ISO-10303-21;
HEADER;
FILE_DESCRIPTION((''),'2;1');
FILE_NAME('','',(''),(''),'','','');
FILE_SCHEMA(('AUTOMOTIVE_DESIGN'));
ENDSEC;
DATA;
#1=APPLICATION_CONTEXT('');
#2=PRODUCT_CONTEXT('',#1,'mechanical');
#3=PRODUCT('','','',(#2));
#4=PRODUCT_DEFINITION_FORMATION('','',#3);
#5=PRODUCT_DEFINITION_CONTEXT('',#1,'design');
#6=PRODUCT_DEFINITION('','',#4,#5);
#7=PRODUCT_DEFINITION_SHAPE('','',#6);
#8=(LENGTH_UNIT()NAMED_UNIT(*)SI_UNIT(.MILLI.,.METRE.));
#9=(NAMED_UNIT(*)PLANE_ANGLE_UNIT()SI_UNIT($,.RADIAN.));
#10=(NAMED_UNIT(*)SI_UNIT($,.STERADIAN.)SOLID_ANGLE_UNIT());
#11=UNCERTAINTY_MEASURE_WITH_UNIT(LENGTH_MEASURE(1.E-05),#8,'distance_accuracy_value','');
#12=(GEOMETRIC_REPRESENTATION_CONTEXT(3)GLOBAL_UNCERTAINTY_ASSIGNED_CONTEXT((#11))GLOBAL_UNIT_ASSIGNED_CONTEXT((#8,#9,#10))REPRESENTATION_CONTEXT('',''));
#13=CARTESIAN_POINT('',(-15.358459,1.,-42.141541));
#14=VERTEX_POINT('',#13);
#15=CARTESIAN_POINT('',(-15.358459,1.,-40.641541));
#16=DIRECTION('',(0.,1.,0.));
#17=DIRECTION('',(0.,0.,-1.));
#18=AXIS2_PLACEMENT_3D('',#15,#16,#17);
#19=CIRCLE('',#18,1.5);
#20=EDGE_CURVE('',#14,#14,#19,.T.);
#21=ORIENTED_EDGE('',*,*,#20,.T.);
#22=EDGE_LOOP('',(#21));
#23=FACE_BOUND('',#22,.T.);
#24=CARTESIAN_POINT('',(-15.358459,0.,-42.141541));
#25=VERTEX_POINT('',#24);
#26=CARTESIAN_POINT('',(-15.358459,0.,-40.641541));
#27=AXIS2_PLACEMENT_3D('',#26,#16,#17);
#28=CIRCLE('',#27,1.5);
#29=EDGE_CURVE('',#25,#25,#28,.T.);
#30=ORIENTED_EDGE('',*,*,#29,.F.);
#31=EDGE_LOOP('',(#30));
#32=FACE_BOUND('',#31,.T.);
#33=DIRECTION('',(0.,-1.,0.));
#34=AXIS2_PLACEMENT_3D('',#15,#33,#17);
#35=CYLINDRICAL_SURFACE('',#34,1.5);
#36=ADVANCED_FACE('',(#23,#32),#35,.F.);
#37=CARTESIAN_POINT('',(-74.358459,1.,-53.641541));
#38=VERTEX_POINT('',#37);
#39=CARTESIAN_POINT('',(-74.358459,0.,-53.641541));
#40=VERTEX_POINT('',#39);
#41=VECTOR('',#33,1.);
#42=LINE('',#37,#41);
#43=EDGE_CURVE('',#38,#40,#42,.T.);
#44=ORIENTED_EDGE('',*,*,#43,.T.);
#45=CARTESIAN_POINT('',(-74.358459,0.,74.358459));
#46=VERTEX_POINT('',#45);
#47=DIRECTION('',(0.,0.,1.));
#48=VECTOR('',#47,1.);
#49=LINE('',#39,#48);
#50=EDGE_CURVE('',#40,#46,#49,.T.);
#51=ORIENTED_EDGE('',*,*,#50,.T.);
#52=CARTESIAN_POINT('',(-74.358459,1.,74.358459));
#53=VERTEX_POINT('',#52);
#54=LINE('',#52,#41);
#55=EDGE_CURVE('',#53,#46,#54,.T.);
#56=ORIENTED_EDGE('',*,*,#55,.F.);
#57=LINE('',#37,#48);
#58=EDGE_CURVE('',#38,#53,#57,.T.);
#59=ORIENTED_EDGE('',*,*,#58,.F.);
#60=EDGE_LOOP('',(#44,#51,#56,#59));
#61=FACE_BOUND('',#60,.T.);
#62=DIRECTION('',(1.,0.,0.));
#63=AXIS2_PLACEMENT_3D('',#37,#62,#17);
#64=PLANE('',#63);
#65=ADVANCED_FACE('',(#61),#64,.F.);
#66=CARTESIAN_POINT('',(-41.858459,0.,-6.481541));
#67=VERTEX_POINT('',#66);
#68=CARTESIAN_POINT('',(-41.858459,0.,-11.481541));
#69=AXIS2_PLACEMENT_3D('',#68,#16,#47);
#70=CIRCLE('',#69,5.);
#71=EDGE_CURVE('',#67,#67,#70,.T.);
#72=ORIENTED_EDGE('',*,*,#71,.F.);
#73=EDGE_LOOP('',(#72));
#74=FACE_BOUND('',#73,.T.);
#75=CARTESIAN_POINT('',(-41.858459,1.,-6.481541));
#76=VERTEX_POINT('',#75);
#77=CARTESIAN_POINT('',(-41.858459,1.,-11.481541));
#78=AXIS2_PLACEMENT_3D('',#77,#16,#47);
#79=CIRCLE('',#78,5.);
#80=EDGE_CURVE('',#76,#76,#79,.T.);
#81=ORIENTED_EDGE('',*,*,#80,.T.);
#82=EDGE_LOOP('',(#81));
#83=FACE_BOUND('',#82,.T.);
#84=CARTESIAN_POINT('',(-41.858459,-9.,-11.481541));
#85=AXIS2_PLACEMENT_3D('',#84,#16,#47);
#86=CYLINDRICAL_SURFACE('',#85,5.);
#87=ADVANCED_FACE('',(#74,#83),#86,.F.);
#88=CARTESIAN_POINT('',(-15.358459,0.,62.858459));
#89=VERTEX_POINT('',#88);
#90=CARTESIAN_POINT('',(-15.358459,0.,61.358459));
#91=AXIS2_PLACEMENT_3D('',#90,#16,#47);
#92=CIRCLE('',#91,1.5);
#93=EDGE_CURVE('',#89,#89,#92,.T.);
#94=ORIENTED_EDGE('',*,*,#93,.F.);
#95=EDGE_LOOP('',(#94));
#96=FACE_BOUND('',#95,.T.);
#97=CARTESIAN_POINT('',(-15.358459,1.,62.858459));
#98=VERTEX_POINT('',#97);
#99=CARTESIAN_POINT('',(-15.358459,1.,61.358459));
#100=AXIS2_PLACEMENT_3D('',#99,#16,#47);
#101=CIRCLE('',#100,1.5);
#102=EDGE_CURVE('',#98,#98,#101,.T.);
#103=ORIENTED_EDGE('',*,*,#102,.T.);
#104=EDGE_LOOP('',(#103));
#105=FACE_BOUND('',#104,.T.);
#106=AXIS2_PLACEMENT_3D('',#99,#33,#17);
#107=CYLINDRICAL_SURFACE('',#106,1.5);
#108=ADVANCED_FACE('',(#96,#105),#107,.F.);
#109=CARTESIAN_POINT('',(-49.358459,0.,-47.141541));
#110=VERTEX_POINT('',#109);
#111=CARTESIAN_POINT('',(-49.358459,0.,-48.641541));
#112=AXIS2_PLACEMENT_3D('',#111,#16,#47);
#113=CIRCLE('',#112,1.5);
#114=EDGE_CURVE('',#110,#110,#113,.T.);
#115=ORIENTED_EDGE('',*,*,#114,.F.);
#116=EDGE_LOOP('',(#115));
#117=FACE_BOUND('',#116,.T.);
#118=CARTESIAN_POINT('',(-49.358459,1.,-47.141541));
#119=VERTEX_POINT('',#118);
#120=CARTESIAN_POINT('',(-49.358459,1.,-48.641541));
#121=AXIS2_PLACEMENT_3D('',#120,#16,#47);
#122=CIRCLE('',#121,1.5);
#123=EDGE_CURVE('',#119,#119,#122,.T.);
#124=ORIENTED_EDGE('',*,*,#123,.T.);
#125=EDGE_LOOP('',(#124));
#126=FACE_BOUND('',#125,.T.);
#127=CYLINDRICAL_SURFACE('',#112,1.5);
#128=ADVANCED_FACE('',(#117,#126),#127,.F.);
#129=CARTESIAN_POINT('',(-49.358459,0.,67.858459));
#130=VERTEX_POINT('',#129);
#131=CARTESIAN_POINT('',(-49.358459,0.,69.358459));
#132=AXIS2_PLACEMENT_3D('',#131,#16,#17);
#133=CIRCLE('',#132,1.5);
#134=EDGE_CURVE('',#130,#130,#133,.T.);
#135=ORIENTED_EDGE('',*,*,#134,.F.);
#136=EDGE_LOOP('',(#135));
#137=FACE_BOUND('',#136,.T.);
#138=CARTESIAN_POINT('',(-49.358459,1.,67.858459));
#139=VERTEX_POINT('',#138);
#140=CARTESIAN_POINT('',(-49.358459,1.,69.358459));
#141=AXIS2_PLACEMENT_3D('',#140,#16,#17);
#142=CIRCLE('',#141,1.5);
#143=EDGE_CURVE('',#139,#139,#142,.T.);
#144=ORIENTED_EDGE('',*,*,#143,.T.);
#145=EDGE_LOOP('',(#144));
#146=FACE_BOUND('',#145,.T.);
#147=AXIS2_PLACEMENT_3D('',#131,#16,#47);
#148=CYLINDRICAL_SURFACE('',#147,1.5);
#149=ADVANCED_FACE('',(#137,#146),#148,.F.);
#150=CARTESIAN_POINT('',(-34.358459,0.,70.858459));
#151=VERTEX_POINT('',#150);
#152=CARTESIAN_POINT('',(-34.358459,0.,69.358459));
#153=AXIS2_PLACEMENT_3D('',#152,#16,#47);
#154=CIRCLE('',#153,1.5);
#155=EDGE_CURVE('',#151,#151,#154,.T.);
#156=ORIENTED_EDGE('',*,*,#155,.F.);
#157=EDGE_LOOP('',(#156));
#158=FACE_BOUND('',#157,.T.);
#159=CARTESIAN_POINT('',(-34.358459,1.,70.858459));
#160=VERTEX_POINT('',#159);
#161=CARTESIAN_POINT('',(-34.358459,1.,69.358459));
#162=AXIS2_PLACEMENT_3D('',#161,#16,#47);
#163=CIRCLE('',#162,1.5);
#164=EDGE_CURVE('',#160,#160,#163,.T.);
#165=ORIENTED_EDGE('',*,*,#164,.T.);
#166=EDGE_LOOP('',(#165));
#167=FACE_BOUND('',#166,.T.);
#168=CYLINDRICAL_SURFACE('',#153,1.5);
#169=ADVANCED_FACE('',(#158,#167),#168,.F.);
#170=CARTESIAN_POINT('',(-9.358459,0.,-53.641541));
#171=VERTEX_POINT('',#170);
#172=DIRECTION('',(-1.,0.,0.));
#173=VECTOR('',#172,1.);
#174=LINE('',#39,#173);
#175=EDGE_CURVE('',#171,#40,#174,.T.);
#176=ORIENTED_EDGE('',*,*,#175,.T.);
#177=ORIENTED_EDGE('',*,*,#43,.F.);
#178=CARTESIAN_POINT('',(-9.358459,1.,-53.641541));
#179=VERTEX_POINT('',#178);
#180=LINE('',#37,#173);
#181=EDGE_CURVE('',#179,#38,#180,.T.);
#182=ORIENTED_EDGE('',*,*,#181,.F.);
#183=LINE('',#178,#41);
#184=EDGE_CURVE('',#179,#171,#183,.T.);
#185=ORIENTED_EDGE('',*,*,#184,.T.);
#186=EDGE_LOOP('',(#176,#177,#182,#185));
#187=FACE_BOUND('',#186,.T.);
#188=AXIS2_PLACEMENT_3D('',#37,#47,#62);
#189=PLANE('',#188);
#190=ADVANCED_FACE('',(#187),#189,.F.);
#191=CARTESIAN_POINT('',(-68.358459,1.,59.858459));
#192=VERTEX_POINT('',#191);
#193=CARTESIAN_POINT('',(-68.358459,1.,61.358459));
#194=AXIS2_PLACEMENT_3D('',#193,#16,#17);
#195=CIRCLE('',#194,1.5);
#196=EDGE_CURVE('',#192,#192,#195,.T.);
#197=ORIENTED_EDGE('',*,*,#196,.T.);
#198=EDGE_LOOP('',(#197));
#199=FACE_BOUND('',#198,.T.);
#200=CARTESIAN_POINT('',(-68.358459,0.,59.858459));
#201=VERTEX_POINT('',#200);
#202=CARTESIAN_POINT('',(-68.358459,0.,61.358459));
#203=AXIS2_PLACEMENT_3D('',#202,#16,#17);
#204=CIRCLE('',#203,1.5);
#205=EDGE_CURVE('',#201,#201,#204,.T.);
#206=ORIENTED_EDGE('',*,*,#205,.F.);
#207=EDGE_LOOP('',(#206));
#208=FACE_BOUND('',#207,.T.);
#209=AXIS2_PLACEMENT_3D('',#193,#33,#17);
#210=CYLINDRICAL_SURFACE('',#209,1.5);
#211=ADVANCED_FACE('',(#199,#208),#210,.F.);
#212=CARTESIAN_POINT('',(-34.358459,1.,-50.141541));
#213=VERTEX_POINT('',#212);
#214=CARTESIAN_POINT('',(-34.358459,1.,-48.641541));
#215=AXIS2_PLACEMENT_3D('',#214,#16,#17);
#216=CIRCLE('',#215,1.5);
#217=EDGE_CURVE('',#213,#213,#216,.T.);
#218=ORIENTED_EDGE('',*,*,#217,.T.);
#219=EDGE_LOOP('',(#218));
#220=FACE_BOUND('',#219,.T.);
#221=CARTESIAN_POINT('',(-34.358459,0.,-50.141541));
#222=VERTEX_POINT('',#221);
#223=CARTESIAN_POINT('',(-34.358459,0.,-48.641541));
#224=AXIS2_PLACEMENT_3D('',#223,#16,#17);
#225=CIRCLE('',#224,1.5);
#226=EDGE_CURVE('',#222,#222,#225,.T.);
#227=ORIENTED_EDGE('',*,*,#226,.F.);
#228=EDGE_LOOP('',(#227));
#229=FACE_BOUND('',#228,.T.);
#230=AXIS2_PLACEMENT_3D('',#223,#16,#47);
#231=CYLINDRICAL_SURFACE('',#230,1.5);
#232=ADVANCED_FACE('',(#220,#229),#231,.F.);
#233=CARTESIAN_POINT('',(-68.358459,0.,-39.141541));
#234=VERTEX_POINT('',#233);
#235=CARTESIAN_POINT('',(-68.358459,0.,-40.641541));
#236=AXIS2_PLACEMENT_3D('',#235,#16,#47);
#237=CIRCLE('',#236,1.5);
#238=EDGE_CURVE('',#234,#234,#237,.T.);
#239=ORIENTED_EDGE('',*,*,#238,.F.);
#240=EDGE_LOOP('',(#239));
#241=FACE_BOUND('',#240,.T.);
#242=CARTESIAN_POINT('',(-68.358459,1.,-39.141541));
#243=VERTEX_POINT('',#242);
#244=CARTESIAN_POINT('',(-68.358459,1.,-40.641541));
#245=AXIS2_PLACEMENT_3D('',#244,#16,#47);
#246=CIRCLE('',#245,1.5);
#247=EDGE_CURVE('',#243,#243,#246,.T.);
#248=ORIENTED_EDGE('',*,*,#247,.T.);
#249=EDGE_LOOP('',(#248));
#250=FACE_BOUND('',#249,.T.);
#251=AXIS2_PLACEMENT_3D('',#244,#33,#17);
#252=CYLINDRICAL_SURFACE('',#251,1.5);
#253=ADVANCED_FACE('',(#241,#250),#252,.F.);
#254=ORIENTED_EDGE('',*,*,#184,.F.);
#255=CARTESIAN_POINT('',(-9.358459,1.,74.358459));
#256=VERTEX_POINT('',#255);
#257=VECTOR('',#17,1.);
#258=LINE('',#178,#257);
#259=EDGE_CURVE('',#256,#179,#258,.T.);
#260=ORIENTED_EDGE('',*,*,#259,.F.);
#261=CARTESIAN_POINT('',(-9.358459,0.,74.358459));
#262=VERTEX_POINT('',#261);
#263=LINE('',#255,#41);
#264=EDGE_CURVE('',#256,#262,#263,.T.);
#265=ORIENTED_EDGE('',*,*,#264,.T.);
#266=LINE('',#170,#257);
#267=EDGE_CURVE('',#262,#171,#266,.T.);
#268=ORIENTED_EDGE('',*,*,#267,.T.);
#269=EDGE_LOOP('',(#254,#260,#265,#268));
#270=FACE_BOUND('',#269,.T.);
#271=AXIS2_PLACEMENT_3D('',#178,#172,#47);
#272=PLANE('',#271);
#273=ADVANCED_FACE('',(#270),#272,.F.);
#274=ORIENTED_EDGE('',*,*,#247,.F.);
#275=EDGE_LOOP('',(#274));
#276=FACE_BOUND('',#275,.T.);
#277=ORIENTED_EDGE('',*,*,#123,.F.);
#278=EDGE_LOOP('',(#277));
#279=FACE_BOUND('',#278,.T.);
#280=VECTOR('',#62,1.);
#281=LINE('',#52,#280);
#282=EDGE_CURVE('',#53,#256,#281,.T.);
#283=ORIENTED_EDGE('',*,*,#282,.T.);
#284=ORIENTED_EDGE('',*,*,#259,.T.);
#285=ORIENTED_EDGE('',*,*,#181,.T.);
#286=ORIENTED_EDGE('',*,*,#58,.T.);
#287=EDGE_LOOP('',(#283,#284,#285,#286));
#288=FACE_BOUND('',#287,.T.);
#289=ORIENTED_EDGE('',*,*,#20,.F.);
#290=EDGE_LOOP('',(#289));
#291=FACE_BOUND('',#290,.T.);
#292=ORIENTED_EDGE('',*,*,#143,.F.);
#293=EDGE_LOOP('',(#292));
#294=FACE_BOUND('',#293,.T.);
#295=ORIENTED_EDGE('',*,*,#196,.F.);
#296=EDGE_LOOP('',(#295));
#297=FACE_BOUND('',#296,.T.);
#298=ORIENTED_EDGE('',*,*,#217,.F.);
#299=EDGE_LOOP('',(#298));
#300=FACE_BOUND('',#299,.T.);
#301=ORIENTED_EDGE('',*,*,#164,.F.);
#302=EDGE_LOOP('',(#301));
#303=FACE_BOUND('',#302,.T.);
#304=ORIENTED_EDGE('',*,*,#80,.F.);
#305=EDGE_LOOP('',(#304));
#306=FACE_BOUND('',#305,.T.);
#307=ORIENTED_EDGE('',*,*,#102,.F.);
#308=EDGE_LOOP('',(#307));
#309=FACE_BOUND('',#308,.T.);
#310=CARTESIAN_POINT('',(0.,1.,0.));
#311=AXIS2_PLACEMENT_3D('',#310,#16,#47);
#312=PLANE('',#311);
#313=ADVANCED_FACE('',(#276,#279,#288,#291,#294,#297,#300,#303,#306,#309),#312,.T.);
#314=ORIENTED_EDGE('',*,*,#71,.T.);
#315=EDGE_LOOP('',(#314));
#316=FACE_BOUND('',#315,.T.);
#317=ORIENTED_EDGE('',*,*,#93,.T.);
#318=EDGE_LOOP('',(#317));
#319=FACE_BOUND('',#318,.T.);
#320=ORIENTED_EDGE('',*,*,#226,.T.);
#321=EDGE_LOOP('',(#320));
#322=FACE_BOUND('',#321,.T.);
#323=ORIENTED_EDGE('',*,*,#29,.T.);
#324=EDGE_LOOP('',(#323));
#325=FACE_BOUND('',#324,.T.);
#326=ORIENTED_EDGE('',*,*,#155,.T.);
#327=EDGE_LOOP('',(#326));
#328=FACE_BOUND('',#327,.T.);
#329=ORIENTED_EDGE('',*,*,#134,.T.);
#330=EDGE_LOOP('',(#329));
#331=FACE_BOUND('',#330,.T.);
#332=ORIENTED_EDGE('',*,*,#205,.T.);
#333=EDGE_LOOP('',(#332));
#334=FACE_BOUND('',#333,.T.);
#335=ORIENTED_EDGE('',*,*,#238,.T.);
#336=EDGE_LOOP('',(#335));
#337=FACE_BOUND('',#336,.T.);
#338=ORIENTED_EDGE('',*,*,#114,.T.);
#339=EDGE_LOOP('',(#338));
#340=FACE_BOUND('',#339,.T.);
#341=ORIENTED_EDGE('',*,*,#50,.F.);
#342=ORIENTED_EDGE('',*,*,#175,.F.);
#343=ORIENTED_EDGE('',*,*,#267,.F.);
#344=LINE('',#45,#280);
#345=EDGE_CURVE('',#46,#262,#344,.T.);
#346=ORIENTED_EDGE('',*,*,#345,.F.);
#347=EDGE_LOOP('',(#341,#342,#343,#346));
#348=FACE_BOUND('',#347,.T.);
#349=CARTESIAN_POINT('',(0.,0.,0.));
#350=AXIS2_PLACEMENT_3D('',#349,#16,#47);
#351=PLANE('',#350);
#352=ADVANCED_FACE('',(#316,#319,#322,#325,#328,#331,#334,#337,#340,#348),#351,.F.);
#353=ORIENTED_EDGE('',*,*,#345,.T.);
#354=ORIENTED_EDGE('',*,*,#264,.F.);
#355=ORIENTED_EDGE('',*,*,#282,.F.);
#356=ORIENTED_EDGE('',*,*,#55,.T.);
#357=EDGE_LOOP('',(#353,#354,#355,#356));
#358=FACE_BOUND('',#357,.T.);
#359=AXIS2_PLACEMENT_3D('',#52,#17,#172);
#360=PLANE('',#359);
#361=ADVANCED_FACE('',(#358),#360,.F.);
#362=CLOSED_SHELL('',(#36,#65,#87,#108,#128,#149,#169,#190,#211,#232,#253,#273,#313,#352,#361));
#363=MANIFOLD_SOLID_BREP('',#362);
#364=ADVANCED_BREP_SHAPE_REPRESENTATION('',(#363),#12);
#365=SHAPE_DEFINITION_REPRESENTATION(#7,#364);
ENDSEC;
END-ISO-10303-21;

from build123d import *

# Parameters (mm, degrees)
SKETCH_1_W          = 65
SKETCH_1_H          = 128
SKETCH_1_R          = 1.5
EXTRUDE_1_DEPTH     = 1
SKETCH_2_R          = 1.5
CUT_EXTRUDE_1_DEPTH = 2
SKETCH_3_R          = 5
CUT_EXTRUDE_2_DEPTH = 10


with BuildPart() as part:
    # Эскиз1 → Бобышка-Вытянуть1 (new body)
    with BuildSketch(Plane(origin=(0, 0, 0), x_dir=(1, 0, 0), z_dir=(0, 1, 0))):
        with Locations((-41.85845893, -10.35845893)):
            Rectangle(SKETCH_1_W, SKETCH_1_H)
        with Locations((-68.35845893, 40.64154107)):
            Circle(SKETCH_1_R, mode=Mode.SUBTRACT)
        with Locations((-15.35845893, 40.64154107)):
            Circle(SKETCH_1_R, mode=Mode.SUBTRACT)
        with Locations((-15.35845893, -61.35845893)):
            Circle(SKETCH_1_R, mode=Mode.SUBTRACT)
        with Locations((-68.35845893, -61.35845893)):
            Circle(SKETCH_1_R, mode=Mode.SUBTRACT)
    extrude(amount=EXTRUDE_1_DEPTH)

    # Эскиз2 → Вырез-Вытянуть1 (cut, through all)
    with BuildSketch(Plane(origin=(0, 1, 0), x_dir=(1, 0, 0), z_dir=(0, 1, 0))):
        with Locations((-49.35845893, 48.64154107)):
            Circle(SKETCH_2_R)
        with Locations((-34.35845893, 48.64154107)):
            Circle(SKETCH_2_R)
        with Locations((-34.35845893, -69.35845893)):
            Circle(SKETCH_2_R)
        with Locations((-49.35845893, -69.35845893)):
            Circle(SKETCH_2_R)
    extrude(amount=-CUT_EXTRUDE_1_DEPTH, mode=Mode.SUBTRACT)

    # Эскиз3 → Вырез-Вытянуть2 (cut)
    with BuildSketch(Plane(origin=(0, 1, 0), x_dir=(1, 0, 0), z_dir=(0, 1, 0))):
        with Locations((-41.85845893, 11.48154107)):
            Circle(SKETCH_3_R)
    extrude(amount=-CUT_EXTRUDE_2_DEPTH, mode=Mode.SUBTRACT)


solid = part.part
